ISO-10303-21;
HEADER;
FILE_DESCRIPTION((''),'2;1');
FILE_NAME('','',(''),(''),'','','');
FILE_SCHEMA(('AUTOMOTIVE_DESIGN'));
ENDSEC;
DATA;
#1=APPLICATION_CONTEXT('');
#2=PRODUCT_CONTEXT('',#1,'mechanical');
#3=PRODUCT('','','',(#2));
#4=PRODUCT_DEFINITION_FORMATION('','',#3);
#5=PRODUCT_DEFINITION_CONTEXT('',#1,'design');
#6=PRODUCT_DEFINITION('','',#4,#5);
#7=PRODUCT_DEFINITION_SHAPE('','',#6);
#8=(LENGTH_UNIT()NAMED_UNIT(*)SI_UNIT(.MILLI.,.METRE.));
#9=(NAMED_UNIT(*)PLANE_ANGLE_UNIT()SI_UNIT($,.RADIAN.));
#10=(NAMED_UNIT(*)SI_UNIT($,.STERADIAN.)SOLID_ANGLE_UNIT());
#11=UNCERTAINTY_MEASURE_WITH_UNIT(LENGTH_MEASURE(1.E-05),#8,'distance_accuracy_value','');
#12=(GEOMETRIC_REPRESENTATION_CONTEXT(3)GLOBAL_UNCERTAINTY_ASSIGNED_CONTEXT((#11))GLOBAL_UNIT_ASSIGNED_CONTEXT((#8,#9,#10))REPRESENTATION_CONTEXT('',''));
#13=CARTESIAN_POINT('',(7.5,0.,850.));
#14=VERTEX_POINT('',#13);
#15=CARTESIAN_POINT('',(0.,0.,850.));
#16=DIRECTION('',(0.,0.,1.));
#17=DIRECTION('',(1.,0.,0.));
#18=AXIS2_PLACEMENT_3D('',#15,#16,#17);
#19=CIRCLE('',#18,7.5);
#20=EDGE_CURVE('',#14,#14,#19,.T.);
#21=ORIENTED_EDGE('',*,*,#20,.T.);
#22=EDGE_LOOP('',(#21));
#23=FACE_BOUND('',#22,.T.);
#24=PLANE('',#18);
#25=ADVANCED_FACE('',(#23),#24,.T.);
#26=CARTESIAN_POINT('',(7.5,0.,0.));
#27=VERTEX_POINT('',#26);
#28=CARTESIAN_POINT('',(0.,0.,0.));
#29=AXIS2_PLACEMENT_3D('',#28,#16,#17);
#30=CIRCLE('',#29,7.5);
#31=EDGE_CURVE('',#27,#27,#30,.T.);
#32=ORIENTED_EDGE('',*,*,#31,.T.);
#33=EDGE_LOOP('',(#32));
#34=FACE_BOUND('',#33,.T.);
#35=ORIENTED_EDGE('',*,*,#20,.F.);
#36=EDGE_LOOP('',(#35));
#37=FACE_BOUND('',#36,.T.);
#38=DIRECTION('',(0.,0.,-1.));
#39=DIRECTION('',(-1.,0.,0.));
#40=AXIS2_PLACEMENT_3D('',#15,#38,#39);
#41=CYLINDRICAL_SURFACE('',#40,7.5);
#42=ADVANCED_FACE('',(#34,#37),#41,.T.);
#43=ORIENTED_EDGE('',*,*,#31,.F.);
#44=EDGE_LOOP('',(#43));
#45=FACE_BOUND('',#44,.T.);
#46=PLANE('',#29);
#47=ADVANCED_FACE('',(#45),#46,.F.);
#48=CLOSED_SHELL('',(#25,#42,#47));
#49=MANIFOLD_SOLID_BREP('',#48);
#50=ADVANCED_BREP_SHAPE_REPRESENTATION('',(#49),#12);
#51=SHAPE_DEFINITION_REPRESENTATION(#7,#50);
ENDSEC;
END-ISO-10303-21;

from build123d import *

# Parameters (mm, degrees)
ESQUISSE1_R        = 7.5
BOSS_EXTRU_1_DEPTH = 850


with BuildPart() as part:
    # Esquisse1 → Boss.-Extru.1 (new body)
    with BuildSketch(Plane.XY):
        Circle(ESQUISSE1_R)
    extrude(amount=BOSS_EXTRU_1_DEPTH)


solid = part.part
